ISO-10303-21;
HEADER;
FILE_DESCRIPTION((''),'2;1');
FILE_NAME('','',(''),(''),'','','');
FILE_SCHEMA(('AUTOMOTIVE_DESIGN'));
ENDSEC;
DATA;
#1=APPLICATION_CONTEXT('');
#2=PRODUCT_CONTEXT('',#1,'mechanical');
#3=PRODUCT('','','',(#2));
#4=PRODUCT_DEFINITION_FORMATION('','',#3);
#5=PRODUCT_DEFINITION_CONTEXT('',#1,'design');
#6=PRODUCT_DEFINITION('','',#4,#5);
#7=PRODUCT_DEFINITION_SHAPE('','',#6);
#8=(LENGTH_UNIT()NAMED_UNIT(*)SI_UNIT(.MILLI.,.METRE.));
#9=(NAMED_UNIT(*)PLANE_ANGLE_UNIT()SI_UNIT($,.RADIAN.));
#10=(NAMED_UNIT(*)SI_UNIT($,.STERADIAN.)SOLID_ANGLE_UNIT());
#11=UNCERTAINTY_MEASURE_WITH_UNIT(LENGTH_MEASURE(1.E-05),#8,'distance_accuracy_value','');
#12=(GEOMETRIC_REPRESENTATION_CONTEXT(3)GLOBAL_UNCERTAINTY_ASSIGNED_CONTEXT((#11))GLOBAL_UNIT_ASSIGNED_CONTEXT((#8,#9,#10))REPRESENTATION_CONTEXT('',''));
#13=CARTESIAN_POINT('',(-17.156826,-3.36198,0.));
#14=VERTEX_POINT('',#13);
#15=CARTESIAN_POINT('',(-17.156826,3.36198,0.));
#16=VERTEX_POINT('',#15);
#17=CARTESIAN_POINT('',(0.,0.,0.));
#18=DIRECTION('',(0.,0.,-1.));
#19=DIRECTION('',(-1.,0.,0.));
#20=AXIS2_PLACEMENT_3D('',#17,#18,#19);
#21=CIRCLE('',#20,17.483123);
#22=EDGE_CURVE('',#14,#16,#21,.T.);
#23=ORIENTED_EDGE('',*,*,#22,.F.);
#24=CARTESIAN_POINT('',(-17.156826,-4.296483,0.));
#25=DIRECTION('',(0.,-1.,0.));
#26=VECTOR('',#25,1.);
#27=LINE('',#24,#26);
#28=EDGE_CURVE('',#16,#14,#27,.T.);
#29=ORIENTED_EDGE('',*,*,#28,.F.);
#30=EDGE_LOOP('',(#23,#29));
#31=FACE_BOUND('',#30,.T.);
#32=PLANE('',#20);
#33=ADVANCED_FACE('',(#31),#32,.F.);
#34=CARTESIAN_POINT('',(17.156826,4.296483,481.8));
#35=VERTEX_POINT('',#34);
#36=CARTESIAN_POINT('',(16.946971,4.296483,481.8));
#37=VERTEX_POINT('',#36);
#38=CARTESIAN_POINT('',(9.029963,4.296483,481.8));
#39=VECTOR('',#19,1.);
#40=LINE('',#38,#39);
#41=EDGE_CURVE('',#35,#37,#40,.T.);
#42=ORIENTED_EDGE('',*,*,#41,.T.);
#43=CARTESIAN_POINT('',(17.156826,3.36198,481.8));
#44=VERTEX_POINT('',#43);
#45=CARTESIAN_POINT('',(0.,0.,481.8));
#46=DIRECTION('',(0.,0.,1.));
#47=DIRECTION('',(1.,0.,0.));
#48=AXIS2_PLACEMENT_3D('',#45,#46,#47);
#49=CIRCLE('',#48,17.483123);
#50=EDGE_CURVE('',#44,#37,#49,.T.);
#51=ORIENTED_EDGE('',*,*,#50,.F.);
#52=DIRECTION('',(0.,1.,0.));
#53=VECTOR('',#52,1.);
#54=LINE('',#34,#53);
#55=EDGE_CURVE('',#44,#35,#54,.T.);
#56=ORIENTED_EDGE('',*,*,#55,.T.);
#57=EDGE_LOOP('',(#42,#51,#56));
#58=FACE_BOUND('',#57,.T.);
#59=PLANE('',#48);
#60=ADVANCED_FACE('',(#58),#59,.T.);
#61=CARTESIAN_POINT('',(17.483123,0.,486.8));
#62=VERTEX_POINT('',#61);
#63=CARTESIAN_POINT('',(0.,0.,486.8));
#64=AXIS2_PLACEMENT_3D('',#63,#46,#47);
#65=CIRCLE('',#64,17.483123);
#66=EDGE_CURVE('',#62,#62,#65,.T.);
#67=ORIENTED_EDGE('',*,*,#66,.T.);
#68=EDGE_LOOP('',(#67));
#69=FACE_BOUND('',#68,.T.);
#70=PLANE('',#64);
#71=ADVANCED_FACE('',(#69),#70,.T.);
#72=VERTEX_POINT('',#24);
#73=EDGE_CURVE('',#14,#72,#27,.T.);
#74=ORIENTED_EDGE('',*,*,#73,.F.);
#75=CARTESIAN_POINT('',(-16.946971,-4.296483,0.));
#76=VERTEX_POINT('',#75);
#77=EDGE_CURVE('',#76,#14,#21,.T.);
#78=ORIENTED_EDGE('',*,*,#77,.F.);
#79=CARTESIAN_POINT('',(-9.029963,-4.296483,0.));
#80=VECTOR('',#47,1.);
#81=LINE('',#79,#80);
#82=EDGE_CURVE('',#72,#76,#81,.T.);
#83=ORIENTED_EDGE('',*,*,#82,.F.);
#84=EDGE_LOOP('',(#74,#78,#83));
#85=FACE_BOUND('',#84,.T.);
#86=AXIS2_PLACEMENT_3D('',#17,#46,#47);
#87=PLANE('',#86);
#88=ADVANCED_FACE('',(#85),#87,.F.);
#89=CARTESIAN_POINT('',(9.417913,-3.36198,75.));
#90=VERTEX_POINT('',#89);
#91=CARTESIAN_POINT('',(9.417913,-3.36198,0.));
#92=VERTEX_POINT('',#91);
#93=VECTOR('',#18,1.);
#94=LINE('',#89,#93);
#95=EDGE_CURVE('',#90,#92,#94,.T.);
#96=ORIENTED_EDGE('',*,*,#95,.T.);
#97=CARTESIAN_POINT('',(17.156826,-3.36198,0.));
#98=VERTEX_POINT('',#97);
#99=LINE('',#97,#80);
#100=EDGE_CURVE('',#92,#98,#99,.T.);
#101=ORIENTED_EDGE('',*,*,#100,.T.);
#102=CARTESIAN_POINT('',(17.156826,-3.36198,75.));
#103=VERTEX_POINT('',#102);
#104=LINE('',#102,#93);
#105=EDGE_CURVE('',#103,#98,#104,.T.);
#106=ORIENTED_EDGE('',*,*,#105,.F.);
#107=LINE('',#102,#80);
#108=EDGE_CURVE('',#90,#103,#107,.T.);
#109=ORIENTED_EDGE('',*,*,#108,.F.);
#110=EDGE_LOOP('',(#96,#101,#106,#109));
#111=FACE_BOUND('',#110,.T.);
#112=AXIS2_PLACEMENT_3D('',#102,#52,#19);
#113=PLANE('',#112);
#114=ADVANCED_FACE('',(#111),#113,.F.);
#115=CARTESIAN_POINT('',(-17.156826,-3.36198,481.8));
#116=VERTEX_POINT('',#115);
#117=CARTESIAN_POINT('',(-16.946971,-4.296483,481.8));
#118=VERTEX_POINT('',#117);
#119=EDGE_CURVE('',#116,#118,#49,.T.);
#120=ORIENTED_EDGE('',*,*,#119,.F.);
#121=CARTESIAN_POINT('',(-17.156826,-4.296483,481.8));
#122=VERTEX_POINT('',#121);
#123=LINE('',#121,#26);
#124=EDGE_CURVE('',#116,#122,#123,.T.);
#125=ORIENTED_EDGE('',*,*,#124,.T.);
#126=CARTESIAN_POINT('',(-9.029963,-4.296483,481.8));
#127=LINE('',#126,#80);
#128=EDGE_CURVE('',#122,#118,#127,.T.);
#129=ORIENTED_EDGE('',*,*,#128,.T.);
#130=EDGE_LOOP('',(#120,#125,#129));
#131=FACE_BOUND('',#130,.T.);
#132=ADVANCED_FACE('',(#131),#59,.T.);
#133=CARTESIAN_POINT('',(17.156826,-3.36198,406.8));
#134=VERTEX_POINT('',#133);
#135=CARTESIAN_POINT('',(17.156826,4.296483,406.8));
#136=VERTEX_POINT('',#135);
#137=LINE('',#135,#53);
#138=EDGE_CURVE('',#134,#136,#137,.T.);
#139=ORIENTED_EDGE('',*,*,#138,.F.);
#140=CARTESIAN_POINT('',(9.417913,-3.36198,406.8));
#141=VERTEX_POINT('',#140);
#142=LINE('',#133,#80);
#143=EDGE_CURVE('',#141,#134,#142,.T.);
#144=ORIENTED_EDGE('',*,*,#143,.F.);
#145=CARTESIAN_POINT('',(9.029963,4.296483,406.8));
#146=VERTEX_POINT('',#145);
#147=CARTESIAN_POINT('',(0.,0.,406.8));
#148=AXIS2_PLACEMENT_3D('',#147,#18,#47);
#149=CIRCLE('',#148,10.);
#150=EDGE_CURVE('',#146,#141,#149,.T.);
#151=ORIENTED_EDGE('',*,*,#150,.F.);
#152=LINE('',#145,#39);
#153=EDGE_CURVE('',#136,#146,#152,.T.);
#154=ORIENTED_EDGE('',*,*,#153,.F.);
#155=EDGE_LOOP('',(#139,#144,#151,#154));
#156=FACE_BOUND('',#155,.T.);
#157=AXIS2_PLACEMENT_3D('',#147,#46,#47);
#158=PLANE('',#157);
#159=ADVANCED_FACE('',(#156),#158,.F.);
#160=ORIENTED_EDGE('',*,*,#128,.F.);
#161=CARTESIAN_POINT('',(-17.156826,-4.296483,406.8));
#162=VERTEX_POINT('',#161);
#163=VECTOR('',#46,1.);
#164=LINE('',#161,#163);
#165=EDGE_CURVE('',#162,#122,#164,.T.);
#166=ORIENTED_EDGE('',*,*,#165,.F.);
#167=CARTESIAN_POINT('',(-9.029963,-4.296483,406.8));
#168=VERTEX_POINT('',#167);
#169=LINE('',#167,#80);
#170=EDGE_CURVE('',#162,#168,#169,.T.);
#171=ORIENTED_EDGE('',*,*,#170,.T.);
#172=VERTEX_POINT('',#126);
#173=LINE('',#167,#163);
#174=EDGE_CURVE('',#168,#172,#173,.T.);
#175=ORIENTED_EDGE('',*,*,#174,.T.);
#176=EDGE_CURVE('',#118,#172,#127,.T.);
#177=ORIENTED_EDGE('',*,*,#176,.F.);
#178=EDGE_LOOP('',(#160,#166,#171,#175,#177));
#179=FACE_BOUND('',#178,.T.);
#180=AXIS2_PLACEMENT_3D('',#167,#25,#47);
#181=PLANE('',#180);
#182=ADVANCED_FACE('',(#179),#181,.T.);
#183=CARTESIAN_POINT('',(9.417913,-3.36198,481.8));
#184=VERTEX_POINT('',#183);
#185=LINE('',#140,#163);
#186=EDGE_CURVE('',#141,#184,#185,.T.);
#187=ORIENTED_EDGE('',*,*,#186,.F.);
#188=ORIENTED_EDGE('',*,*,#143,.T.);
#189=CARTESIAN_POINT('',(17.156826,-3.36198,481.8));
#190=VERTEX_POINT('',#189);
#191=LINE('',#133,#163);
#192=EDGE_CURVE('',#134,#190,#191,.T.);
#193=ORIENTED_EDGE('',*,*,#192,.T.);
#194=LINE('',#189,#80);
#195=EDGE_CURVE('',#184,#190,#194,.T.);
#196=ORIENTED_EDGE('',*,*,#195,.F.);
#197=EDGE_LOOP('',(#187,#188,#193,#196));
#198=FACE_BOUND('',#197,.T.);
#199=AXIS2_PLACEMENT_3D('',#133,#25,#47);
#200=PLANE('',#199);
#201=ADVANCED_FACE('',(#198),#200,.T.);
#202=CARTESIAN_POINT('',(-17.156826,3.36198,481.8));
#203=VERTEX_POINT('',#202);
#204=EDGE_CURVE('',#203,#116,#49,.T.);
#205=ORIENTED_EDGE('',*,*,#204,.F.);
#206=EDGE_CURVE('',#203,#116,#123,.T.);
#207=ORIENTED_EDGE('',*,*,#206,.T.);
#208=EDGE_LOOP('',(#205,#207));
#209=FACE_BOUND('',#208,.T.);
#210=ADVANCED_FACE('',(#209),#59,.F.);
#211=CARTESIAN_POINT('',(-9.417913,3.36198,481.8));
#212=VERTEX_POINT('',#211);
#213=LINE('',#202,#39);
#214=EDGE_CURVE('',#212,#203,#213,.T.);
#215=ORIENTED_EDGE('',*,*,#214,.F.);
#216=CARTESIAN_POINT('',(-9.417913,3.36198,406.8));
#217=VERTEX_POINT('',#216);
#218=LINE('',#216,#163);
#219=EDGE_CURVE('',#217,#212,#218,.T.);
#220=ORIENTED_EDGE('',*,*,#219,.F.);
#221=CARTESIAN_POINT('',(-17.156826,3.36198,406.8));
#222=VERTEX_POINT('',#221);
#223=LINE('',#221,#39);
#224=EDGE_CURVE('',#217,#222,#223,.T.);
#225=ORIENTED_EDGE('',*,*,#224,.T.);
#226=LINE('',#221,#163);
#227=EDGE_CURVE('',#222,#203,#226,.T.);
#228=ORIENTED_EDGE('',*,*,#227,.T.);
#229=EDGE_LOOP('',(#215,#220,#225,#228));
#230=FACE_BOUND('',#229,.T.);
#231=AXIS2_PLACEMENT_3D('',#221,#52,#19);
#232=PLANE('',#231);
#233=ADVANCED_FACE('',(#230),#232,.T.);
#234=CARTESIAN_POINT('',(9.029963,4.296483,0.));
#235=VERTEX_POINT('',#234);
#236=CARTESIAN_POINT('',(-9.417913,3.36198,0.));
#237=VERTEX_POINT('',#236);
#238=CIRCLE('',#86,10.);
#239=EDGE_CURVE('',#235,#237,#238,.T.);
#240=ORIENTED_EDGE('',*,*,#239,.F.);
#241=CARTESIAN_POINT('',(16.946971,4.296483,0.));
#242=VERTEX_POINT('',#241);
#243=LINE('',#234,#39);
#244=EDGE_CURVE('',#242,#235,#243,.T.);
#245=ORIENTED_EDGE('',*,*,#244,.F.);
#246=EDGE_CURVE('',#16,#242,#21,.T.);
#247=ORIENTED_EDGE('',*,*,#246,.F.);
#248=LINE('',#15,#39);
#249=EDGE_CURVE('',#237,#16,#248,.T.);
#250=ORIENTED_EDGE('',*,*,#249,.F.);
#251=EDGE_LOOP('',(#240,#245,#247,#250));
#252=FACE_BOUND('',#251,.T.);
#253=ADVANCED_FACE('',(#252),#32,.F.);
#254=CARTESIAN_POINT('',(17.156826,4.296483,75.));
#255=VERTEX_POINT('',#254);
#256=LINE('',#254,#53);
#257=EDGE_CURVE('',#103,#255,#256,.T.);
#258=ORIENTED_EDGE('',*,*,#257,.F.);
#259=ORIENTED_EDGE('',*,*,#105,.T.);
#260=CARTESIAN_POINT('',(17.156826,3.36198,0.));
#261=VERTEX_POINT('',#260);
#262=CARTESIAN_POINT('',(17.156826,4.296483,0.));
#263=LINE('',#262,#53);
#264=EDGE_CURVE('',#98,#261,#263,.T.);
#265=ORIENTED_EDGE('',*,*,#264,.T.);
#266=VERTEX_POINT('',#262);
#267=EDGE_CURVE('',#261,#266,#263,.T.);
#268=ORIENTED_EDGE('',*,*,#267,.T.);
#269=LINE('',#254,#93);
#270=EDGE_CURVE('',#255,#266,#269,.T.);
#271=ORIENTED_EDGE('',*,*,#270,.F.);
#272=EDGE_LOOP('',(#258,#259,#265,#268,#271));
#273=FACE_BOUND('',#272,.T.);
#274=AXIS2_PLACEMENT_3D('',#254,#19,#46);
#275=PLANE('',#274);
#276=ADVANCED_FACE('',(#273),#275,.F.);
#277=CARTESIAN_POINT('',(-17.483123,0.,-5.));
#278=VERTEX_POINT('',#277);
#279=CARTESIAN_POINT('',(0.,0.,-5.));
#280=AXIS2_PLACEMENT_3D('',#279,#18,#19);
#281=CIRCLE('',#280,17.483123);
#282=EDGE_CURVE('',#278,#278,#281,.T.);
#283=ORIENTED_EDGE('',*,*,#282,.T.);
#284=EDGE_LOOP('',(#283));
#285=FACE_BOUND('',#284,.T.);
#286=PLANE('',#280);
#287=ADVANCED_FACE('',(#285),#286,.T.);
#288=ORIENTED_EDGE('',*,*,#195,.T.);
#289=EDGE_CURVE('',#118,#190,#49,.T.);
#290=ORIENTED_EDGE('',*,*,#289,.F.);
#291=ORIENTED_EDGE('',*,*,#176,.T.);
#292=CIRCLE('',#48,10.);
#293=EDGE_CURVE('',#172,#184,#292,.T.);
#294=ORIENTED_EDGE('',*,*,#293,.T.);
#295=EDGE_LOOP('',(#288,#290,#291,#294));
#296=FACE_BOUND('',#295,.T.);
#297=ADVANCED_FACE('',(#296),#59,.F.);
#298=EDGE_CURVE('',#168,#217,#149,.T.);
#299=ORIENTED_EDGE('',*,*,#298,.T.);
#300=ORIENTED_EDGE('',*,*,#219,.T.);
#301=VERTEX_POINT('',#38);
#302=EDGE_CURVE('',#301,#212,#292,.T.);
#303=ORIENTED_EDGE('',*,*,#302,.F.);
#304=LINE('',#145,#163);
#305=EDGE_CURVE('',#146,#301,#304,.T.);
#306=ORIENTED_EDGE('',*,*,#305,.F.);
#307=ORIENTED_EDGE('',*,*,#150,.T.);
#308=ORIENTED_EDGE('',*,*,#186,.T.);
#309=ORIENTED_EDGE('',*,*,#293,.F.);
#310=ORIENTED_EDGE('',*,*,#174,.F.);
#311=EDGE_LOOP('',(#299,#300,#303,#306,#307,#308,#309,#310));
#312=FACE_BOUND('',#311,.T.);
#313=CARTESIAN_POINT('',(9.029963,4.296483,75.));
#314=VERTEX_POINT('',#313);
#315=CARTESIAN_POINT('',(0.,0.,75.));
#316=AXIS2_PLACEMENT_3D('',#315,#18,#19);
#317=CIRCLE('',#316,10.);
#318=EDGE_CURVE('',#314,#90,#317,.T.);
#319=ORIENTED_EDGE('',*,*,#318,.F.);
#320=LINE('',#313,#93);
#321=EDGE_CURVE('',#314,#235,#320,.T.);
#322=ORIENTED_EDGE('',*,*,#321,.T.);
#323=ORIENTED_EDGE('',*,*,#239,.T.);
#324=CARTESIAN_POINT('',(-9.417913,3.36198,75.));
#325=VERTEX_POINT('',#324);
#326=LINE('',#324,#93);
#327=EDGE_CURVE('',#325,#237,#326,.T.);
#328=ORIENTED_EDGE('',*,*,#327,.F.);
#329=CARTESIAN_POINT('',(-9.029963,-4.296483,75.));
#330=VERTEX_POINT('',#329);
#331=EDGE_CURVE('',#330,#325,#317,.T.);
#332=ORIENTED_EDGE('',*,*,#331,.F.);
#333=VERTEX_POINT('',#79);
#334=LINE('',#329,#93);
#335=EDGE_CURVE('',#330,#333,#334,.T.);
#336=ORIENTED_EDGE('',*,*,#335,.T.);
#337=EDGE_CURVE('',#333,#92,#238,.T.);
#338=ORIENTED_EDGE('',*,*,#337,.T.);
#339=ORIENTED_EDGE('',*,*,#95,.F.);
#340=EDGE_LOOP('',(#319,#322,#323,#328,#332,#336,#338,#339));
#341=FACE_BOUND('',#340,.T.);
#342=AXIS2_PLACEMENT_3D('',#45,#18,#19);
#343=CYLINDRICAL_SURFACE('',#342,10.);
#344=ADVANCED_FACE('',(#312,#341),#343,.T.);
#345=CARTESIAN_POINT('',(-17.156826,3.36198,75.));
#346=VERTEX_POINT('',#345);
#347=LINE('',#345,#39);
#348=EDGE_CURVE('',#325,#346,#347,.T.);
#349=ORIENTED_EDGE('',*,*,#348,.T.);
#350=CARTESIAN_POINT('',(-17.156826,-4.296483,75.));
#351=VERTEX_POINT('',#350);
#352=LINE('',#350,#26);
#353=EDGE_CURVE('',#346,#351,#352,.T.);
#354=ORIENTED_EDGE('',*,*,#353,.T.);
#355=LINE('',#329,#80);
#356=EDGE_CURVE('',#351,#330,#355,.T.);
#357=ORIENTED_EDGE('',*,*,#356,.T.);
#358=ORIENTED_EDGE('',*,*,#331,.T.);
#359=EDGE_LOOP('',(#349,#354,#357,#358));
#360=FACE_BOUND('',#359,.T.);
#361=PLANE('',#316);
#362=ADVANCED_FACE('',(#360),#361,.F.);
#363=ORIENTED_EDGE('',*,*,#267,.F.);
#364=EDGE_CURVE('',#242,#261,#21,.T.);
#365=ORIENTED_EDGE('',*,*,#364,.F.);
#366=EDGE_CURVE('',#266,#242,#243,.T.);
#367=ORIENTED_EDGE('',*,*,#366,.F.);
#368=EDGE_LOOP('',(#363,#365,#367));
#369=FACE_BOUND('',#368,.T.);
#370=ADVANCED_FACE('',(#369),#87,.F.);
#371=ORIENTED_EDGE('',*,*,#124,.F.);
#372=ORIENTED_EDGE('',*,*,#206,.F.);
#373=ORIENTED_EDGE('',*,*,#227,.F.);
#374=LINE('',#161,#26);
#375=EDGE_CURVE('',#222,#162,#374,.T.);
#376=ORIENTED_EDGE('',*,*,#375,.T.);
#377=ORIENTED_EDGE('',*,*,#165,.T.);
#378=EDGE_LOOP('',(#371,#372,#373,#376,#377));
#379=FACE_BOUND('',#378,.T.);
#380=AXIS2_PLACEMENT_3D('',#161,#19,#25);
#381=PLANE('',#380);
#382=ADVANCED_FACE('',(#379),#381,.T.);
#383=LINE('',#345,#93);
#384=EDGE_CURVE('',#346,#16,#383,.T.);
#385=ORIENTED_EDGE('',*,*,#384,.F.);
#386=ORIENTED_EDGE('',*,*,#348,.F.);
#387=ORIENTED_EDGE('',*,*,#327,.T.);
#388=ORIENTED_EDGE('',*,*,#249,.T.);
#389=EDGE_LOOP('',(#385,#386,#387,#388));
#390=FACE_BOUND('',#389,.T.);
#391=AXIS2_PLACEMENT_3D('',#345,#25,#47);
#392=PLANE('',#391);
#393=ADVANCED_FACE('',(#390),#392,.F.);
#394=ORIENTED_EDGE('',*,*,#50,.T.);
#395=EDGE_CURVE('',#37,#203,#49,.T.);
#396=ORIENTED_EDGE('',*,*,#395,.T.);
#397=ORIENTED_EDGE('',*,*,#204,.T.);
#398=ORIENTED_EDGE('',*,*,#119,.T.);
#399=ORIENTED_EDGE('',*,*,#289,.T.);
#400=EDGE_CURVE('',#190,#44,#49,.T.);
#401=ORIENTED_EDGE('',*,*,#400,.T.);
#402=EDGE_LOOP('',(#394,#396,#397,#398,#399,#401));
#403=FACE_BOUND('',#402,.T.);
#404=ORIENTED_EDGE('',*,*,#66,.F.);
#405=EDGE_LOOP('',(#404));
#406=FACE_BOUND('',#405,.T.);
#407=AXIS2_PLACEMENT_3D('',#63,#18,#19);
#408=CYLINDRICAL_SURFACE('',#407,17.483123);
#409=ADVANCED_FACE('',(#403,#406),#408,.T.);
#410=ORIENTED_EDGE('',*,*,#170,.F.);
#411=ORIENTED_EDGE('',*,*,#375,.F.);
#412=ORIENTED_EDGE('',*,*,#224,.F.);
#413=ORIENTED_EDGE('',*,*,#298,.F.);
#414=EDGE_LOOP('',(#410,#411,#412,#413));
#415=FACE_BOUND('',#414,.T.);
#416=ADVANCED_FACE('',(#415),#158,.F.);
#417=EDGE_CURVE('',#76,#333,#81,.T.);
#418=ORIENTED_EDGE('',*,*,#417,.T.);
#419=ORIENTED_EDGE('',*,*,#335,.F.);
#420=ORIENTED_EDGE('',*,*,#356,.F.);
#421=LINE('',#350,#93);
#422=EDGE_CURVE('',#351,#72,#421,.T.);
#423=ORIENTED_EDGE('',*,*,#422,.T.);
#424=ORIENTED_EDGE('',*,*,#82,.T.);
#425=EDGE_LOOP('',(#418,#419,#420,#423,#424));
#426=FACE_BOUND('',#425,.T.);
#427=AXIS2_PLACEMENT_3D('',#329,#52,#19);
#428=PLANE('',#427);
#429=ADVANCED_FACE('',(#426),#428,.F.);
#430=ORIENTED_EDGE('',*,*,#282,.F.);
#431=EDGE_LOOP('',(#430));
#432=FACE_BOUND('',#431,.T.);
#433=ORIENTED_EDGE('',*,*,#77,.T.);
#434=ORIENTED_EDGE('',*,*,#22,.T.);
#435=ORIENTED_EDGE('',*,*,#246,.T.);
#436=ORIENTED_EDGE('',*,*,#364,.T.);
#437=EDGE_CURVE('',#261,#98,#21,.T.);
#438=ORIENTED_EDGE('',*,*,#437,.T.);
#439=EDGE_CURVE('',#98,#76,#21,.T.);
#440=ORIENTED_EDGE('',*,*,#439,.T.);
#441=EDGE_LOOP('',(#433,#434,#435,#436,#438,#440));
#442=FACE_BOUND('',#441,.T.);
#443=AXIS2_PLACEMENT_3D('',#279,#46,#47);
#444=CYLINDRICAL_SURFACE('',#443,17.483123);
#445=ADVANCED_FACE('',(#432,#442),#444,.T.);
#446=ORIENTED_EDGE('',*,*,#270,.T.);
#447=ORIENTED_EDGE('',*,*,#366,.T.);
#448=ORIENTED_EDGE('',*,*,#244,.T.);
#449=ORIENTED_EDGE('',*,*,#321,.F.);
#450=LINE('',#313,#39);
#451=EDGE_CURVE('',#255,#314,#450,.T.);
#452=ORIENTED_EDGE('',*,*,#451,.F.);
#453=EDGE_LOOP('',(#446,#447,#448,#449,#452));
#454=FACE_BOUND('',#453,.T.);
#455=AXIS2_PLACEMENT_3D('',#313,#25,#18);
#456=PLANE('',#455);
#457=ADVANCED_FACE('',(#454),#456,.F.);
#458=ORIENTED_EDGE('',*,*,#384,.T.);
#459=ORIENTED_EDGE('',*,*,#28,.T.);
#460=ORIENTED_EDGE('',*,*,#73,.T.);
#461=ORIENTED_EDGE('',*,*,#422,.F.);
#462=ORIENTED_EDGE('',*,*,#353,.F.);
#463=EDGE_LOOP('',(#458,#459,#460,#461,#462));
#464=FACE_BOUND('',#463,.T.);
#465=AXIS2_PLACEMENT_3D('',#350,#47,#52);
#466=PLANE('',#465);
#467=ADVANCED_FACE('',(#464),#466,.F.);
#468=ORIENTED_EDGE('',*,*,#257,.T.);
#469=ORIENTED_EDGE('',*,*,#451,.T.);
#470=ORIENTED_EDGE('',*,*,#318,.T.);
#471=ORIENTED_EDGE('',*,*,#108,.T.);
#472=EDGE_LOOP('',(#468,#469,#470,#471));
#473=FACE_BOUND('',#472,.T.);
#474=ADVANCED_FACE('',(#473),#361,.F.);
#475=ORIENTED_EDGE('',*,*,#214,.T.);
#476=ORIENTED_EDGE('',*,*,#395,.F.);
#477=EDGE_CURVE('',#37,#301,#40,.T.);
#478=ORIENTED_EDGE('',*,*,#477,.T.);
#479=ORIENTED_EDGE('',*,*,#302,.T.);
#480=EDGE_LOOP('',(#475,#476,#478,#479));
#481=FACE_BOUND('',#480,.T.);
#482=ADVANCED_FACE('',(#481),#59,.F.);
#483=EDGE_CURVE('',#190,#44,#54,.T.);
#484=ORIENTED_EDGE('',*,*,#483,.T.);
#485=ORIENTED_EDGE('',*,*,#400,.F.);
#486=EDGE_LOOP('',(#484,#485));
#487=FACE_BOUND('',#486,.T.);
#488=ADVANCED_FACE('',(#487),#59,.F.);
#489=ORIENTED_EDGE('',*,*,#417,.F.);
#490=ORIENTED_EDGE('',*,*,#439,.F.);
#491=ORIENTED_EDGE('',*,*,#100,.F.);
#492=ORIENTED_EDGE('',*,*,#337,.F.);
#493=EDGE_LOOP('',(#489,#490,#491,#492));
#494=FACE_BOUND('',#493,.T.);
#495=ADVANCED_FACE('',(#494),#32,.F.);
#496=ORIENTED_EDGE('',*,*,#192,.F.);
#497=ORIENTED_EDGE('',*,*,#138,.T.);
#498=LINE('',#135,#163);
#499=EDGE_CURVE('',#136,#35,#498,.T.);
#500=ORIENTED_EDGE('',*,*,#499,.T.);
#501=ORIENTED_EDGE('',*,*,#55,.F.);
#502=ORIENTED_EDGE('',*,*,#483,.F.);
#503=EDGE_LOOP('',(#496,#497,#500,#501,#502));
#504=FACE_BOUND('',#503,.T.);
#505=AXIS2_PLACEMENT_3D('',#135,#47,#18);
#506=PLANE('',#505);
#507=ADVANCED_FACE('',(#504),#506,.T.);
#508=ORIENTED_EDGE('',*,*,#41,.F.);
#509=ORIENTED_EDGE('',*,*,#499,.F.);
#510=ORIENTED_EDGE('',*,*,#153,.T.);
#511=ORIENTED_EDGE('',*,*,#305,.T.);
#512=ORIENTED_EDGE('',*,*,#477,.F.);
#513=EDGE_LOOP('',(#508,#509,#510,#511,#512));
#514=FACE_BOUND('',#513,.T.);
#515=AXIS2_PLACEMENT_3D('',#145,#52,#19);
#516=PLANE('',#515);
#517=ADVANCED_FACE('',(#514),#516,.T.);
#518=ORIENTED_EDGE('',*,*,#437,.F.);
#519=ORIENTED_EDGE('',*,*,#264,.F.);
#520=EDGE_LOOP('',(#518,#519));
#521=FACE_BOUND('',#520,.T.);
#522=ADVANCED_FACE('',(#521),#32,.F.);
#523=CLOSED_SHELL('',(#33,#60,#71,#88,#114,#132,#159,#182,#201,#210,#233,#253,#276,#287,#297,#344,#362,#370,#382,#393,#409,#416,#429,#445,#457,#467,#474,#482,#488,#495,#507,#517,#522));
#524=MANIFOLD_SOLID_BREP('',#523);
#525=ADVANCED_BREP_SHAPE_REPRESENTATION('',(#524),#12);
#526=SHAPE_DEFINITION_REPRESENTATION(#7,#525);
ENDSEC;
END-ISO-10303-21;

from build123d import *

# Parameters (mm, degrees)
SKETCH1_R           = 10
BOSS_EXTRUDE2_DEPTH = 481.8
BOSS_EXTRUDE4_DEPTH = 75
BOSS_EXTRUDE5_START = -75
BOSS_EXTRUDE5_DEPTH = 75
SKETCH7_R           = 17.483123284
BOSS_EXTRUDE6_DEPTH = 5
BOSS_EXTRUDE7_START = 5
SKETCH8_R           = 17.483123284
BOSS_EXTRUDE7_DEPTH = 5


with BuildPart() as part:
    # Sketch1 → Boss-Extrude2 (new body)
    with BuildSketch(Plane.XY):
        Circle(SKETCH1_R)
    extrude(amount=BOSS_EXTRUDE2_DEPTH)

    # Sketch2 → Boss-Extrude4 (add)
    with BuildSketch(Plane.XY):
        with BuildLine():
            Line((9.029963331, 4.296482543), (17.156826423, 4.296482543))
            Line((17.156826423, 4.296482543), (17.156826423, -3.361979608))
            Line((17.156826423, -3.361979608), (9.417913416, -3.361979608))
            ThreePointArc((9.417913416, -3.361979608), (9.987194288, 0.50591526), (9.029963331, 4.296482543))
        make_face()
        with BuildLine():
            Line((-9.029963331, -4.296482543), (-17.156826423, -4.296482543))
            Line((-17.156826423, -4.296482543), (-17.156826423, 3.361979608))
            Line((-17.156826423, 3.361979608), (-9.417913416, 3.361979608))
            ThreePointArc((-9.417913416, 3.361979608), (-9.987194288, -0.50591526), (-9.029963331, -4.296482543))
        make_face()
    extrude(amount=BOSS_EXTRUDE4_DEPTH)

    # Sketch4 → Boss-Extrude5 (add)
    with BuildSketch(Plane.XY.offset(481.8).offset(BOSS_EXTRUDE5_START)):
        with BuildLine():
            Line((9.029963331, 4.296482543), (17.156826423, 4.296482543))
            Line((17.156826423, 4.296482543), (17.156826423, -3.361979608))
            Line((17.156826423, -3.361979608), (9.417913416, -3.361979608))
            ThreePointArc((9.417913416, -3.361979608), (9.987194288, 0.50591526), (9.029963331, 4.296482543))
        make_face()
        with BuildLine():
            Line((-9.029963331, -4.296482543), (-17.156826423, -4.296482543))
            Line((-17.156826423, -4.296482543), (-17.156826423, 3.361979608))
            Line((-17.156826423, 3.361979608), (-9.417913416, 3.361979608))
            ThreePointArc((-9.417913416, 3.361979608), (-9.987194288, -0.50591526), (-9.029963331, -4.296482543))
        make_face()
    extrude(amount=BOSS_EXTRUDE5_DEPTH)

    # Sketch7 → Boss-Extrude6 (add)
    with BuildSketch(Plane.XY.offset(481.8)):
        with Locations(Location((0, 0, 0), (0, 0, 168.913043394))):
            Circle(SKETCH7_R)
    extrude(amount=BOSS_EXTRUDE6_DEPTH)

    # Sketch8 → Boss-Extrude7 (add)
    with BuildSketch(Plane(origin=(0, 0, 0), x_dir=(-1, 0, 0), z_dir=(0, 0, -1)).offset(BOSS_EXTRUDE7_START)):
        with Locations(Location((0, 0, 0), (0, 0, 11.086956606))):
            Circle(SKETCH8_R)
    extrude(amount=-BOSS_EXTRUDE7_DEPTH)


solid = part.part
